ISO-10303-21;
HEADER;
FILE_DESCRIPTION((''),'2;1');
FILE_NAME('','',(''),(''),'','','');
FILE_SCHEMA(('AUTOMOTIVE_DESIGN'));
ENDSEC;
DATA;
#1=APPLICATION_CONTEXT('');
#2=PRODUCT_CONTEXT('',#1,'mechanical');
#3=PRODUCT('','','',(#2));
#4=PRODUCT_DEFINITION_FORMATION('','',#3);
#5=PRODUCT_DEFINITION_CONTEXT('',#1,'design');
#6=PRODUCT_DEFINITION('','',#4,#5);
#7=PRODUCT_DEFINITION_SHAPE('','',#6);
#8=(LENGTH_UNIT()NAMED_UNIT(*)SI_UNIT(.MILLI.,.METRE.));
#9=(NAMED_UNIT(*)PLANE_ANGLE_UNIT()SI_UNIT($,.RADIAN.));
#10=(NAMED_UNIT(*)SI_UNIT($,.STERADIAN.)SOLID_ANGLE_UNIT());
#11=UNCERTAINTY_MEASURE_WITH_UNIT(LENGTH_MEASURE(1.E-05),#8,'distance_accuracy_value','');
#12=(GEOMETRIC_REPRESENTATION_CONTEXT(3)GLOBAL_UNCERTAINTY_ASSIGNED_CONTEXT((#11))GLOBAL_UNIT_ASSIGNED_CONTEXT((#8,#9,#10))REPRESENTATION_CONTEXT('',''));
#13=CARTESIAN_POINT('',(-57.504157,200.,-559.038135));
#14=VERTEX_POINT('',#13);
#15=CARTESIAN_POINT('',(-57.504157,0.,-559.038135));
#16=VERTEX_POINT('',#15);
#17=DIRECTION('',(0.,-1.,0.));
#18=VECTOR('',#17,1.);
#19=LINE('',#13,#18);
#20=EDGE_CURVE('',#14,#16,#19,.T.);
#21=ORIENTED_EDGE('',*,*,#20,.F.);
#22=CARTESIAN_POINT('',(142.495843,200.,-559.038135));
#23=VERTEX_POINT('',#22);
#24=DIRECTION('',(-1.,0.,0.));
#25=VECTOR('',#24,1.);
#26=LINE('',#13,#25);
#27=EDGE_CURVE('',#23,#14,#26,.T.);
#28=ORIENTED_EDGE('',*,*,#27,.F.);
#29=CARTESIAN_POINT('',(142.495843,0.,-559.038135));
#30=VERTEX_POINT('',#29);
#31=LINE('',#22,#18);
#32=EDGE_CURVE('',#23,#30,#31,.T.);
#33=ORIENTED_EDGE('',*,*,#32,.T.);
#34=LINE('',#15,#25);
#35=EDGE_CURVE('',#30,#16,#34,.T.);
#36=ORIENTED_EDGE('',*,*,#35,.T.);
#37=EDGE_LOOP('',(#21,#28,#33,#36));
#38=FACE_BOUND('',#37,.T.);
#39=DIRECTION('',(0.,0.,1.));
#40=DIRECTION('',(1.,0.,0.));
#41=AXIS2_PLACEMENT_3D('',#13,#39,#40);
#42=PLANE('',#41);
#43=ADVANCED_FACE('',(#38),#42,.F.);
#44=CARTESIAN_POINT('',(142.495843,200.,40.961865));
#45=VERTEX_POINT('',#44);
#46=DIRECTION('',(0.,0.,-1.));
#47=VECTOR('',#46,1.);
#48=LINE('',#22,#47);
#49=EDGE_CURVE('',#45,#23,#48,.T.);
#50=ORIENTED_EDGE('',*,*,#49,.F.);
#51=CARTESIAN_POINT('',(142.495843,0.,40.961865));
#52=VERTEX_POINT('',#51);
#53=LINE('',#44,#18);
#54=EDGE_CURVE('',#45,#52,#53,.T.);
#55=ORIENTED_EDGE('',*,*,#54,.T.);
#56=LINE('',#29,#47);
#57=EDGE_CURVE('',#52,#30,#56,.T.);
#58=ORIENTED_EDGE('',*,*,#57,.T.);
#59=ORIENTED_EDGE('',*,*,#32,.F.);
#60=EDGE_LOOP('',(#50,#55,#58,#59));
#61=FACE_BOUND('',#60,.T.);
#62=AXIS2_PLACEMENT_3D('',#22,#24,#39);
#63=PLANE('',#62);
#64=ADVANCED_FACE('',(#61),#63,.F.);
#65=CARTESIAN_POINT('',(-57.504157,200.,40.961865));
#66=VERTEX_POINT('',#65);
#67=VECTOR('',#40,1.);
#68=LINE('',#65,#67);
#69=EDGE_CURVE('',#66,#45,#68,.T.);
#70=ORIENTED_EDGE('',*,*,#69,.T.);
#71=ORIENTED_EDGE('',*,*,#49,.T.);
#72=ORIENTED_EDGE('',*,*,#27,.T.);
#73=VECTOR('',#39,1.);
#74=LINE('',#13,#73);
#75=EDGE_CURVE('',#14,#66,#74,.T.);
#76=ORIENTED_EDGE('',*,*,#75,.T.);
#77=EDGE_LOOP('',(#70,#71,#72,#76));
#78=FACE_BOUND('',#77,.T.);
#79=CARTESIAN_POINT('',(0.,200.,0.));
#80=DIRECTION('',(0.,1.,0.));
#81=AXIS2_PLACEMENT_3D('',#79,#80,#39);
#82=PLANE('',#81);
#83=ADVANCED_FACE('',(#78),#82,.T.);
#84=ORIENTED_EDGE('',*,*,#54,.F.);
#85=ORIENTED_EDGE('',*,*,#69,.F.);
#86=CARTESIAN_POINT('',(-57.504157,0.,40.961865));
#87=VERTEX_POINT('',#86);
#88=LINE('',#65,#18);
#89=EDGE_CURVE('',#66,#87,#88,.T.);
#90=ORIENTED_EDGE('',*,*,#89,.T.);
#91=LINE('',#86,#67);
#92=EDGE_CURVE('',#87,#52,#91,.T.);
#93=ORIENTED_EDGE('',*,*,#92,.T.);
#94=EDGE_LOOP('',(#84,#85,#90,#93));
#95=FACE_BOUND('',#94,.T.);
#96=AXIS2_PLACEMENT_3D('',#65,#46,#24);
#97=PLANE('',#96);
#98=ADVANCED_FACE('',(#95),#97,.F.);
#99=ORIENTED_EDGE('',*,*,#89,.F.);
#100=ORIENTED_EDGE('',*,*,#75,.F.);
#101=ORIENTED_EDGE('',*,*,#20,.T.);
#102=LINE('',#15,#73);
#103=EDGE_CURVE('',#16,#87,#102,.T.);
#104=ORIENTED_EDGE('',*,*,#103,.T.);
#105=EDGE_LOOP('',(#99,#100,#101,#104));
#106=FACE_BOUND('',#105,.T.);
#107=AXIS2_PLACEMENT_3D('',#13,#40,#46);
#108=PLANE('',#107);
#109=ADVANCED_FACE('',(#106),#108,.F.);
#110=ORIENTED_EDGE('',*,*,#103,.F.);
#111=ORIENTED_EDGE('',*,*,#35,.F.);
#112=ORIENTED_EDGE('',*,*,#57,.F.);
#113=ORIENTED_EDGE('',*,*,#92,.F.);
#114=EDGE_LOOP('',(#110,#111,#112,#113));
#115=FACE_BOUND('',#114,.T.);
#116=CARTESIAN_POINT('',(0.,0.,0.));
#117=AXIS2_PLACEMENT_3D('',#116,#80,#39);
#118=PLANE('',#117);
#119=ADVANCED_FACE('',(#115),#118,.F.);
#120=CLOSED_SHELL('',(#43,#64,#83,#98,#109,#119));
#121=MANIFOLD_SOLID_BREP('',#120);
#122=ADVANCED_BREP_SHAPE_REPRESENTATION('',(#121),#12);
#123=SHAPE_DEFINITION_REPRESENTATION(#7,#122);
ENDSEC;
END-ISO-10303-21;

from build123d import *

# Parameters (mm, degrees)
SKETCH1_W           = 200
SKETCH1_H           = 600
BOSS_EXTRUDE1_DEPTH = 200


with BuildPart() as part:
    # Sketch1 → Boss-Extrude1 (new body)
    with BuildSketch(Plane(origin=(0, 0, 0), x_dir=(1, 0, 0), z_dir=(0, 1, 0))):
        with Locations((42.495842889, 259.038134661)):
            Rectangle(SKETCH1_W, SKETCH1_H)
    extrude(amount=BOSS_EXTRUDE1_DEPTH)


solid = part.part
